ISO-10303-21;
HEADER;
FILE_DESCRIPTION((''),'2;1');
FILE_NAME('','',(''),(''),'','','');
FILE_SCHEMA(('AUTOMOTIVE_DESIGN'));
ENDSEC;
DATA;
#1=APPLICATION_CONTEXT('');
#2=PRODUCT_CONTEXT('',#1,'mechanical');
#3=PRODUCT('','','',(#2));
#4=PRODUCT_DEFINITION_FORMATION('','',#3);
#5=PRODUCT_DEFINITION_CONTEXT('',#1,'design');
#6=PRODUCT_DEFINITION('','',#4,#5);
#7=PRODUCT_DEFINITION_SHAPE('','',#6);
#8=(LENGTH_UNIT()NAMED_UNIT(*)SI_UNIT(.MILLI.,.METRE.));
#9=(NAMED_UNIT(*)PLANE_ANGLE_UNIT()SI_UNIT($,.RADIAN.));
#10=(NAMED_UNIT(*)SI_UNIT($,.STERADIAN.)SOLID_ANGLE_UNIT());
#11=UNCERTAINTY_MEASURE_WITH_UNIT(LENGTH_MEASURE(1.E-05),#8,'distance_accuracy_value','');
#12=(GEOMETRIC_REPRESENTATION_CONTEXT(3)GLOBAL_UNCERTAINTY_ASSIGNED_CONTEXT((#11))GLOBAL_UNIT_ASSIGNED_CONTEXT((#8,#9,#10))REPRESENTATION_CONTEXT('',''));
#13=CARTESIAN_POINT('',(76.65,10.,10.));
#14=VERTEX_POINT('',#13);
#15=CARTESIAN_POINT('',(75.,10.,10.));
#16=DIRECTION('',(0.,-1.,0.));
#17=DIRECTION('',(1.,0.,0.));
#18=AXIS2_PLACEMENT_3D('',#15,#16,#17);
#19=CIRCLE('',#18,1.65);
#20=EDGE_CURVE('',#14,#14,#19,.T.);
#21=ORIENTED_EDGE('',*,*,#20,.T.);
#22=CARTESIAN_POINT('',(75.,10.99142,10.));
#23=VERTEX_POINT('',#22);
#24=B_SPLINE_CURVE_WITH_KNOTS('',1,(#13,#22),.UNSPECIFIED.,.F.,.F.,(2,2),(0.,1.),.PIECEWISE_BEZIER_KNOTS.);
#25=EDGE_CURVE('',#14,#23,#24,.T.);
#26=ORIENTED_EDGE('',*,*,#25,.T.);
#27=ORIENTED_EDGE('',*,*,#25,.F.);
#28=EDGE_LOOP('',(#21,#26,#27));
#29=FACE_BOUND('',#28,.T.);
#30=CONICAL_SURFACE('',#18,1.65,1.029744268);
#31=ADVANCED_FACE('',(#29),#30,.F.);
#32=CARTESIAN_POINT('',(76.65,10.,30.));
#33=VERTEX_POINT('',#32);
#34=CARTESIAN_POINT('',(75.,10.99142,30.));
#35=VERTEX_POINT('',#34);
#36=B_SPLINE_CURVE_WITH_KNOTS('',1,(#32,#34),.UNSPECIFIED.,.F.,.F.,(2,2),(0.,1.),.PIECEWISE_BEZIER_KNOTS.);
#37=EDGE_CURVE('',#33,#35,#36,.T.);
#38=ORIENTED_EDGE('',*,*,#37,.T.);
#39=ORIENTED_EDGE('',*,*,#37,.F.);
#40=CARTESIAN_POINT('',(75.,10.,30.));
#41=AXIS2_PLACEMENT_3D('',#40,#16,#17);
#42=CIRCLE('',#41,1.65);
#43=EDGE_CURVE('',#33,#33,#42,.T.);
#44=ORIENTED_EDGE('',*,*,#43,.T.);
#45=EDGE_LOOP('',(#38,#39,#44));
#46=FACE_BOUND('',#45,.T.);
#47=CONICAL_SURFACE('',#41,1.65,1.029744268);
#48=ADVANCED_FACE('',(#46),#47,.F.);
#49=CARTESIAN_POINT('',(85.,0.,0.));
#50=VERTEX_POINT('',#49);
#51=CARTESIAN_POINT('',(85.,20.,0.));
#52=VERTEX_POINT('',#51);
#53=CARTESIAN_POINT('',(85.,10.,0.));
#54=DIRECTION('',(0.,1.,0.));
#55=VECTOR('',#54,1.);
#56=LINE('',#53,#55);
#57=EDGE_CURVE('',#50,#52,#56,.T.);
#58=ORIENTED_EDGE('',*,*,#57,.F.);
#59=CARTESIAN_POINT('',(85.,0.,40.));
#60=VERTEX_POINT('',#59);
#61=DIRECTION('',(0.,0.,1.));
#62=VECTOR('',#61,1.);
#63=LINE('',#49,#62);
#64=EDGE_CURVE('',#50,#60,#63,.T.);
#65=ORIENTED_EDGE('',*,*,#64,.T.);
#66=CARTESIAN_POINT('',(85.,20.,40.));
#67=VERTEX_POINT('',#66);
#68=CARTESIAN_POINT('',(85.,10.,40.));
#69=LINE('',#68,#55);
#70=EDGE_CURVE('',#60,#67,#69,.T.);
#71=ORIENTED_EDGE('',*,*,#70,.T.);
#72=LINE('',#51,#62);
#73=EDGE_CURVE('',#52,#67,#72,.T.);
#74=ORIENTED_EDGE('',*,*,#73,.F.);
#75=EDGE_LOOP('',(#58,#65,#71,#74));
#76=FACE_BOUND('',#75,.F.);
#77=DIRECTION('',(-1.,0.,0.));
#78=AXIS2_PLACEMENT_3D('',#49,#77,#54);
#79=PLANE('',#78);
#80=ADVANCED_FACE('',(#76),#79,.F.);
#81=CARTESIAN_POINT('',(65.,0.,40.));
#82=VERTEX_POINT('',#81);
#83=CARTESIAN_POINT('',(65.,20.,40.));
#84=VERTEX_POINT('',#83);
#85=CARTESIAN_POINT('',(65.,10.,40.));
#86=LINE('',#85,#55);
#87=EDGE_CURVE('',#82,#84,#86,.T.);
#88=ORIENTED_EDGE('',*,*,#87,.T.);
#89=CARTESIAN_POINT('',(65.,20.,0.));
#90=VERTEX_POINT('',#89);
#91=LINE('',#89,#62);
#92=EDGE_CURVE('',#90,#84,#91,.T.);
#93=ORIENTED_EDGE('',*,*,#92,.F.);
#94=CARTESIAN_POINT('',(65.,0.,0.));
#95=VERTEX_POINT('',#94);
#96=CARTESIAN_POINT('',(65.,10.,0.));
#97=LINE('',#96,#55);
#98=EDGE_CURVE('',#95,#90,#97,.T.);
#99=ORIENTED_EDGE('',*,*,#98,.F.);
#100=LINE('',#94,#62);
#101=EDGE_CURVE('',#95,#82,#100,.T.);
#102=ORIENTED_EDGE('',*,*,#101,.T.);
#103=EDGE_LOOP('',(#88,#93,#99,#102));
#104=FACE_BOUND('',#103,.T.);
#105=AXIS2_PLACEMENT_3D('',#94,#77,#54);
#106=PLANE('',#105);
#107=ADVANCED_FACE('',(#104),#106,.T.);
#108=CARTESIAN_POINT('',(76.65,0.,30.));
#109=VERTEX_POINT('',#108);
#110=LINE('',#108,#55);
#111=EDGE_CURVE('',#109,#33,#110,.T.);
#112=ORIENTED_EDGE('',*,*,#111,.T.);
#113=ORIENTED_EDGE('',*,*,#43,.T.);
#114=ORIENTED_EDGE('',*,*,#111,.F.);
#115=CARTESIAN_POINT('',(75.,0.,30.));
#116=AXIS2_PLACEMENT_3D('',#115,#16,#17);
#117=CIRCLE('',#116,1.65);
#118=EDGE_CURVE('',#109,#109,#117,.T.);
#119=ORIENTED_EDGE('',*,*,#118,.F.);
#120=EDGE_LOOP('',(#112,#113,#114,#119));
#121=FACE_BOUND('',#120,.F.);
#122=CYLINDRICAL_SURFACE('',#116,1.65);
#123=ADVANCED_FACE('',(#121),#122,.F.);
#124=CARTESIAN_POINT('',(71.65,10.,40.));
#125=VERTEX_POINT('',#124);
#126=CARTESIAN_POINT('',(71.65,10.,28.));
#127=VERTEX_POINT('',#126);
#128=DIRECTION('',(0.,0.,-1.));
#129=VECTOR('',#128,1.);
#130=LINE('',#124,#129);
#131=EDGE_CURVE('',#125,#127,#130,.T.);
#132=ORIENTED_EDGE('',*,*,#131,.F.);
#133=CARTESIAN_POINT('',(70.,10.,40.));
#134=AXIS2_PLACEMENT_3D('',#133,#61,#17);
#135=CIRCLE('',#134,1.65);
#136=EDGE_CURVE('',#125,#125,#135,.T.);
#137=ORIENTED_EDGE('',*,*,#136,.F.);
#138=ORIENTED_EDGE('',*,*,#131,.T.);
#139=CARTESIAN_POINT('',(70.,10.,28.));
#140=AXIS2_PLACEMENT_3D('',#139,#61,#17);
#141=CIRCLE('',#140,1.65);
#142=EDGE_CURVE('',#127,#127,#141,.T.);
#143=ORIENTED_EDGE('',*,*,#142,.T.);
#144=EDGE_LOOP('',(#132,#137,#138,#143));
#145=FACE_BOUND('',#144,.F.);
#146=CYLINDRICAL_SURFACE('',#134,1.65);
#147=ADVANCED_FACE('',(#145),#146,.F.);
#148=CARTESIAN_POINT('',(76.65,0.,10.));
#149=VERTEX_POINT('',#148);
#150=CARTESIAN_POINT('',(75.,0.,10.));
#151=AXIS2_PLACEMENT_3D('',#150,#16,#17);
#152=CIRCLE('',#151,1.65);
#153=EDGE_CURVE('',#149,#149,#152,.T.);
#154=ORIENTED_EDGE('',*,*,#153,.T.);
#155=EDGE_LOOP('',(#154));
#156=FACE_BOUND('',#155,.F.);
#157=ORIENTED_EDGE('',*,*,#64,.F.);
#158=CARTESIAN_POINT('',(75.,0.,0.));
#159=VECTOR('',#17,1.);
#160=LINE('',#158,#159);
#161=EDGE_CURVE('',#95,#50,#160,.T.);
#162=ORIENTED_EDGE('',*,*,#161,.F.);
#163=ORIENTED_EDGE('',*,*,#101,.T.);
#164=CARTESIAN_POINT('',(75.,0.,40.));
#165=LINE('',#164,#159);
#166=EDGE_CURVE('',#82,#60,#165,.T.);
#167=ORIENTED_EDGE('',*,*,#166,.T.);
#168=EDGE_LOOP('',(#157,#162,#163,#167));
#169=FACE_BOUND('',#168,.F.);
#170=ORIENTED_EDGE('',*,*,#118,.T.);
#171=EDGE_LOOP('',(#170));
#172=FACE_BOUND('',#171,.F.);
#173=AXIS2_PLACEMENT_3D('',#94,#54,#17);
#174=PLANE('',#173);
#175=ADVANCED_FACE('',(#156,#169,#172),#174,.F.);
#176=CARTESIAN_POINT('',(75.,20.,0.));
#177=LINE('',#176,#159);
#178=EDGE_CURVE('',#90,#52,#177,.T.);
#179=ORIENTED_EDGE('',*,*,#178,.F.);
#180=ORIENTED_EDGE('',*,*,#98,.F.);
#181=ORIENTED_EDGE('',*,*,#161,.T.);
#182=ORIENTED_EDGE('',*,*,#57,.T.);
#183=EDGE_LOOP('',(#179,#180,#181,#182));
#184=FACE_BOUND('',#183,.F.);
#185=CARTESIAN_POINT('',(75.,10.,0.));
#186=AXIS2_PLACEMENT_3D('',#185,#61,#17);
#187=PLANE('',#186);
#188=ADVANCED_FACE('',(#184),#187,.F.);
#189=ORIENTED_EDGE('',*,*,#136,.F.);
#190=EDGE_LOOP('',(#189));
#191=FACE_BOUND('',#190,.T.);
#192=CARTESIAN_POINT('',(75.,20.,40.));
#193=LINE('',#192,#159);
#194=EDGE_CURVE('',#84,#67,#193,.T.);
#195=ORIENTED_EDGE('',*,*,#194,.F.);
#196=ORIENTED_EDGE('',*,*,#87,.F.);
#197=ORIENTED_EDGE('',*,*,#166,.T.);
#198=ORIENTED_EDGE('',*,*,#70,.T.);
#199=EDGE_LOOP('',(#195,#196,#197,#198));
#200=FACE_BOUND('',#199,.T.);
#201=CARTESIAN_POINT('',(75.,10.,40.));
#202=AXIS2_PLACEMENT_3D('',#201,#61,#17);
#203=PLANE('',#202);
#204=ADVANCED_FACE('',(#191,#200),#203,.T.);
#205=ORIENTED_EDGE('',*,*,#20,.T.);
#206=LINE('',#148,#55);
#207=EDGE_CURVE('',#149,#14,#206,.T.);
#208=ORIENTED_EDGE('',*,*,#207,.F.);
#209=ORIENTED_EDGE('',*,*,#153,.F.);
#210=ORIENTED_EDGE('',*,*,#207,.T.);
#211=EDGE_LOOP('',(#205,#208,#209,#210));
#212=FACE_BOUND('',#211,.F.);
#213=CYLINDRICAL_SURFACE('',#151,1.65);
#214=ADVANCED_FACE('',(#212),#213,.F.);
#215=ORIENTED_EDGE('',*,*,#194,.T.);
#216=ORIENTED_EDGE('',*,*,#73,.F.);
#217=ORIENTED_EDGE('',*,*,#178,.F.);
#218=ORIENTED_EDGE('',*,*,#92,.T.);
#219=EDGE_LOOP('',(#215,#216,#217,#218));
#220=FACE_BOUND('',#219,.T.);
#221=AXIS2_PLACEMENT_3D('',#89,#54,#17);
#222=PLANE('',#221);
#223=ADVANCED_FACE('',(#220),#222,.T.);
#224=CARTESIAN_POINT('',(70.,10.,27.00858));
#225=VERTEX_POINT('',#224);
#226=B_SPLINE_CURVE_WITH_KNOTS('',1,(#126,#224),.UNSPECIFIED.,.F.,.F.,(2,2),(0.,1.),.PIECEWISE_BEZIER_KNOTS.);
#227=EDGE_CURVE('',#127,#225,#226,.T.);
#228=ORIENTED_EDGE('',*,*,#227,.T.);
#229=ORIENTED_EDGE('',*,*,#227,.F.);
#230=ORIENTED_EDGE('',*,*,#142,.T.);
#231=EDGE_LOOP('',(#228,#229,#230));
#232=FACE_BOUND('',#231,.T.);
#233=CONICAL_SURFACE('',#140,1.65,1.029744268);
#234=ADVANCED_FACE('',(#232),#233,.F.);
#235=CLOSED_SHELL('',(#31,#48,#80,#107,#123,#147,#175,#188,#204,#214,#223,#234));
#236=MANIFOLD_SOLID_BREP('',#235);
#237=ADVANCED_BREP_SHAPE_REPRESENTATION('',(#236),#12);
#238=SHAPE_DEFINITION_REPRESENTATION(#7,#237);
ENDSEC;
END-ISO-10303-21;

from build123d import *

# Parameters (mm, degrees)
SKETCH_W       = 20
SKETCH_H       = 20
PAD_DEPTH      = 40
SKETCH001_R    = 1.65
HOLE_DEPTH     = 10
HOLE_TIPS_R    = 1.65
SKETCH002_R    = 1.65
HOLE001_DEPTH  = 12
HOLE001_TIPS_R = 1.65


with BuildPart() as part:
    # Sketch → Pad (new body)
    with BuildSketch(Plane.XY):
        with Locations((75, 10)):
            Rectangle(SKETCH_W, SKETCH_H)
    extrude(amount=PAD_DEPTH)

    # Sketch001 (on Face1 of Pad) → Hole (cut)
    with BuildSketch(Plane.XZ):
        with Locations((75, 30)):
            Circle(SKETCH001_R)
        with Locations((75, 10)):
            Circle(SKETCH001_R)
    extrude(amount=-HOLE_DEPTH, mode=Mode.SUBTRACT)

    # Hole tips → Hole tip 1 section 0
    with BuildSketch(Plane.XZ.offset(-10), mode=Mode.PRIVATE) as hole_tip_1_s0:
        with Locations((75, 30)):
            Circle(HOLE_TIPS_R)
    loft([hole_tip_1_s0.sketch, Vertex(75, 10.99142, 30)], mode=Mode.SUBTRACT)

    # Hole tips → Hole tip 2 section 0
    with BuildSketch(Plane.XZ.offset(-10), mode=Mode.PRIVATE) as hole_tip_2_s0:
        with Locations((75, 10)):
            Circle(HOLE_TIPS_R)
    loft([hole_tip_2_s0.sketch, Vertex(75, 10.99142, 10)], mode=Mode.SUBTRACT)

    # Sketch002 (on Face4 of Hole) → Hole001 (cut)
    with BuildSketch(Plane.XY.offset(40)):
        with Locations((70, 10)):
            Circle(SKETCH002_R)
    extrude(amount=-HOLE001_DEPTH, mode=Mode.SUBTRACT)

    # Hole001 tips → Hole001 tip 1 section 0
    with BuildSketch(Plane.XY.offset(28), mode=Mode.PRIVATE) as hole001_tip_1_s0:
        with Locations((70, 10)):
            Circle(HOLE001_TIPS_R)
    loft([hole001_tip_1_s0.sketch, Vertex(70, 10, 27.00858)], mode=Mode.SUBTRACT)


solid = part.part
